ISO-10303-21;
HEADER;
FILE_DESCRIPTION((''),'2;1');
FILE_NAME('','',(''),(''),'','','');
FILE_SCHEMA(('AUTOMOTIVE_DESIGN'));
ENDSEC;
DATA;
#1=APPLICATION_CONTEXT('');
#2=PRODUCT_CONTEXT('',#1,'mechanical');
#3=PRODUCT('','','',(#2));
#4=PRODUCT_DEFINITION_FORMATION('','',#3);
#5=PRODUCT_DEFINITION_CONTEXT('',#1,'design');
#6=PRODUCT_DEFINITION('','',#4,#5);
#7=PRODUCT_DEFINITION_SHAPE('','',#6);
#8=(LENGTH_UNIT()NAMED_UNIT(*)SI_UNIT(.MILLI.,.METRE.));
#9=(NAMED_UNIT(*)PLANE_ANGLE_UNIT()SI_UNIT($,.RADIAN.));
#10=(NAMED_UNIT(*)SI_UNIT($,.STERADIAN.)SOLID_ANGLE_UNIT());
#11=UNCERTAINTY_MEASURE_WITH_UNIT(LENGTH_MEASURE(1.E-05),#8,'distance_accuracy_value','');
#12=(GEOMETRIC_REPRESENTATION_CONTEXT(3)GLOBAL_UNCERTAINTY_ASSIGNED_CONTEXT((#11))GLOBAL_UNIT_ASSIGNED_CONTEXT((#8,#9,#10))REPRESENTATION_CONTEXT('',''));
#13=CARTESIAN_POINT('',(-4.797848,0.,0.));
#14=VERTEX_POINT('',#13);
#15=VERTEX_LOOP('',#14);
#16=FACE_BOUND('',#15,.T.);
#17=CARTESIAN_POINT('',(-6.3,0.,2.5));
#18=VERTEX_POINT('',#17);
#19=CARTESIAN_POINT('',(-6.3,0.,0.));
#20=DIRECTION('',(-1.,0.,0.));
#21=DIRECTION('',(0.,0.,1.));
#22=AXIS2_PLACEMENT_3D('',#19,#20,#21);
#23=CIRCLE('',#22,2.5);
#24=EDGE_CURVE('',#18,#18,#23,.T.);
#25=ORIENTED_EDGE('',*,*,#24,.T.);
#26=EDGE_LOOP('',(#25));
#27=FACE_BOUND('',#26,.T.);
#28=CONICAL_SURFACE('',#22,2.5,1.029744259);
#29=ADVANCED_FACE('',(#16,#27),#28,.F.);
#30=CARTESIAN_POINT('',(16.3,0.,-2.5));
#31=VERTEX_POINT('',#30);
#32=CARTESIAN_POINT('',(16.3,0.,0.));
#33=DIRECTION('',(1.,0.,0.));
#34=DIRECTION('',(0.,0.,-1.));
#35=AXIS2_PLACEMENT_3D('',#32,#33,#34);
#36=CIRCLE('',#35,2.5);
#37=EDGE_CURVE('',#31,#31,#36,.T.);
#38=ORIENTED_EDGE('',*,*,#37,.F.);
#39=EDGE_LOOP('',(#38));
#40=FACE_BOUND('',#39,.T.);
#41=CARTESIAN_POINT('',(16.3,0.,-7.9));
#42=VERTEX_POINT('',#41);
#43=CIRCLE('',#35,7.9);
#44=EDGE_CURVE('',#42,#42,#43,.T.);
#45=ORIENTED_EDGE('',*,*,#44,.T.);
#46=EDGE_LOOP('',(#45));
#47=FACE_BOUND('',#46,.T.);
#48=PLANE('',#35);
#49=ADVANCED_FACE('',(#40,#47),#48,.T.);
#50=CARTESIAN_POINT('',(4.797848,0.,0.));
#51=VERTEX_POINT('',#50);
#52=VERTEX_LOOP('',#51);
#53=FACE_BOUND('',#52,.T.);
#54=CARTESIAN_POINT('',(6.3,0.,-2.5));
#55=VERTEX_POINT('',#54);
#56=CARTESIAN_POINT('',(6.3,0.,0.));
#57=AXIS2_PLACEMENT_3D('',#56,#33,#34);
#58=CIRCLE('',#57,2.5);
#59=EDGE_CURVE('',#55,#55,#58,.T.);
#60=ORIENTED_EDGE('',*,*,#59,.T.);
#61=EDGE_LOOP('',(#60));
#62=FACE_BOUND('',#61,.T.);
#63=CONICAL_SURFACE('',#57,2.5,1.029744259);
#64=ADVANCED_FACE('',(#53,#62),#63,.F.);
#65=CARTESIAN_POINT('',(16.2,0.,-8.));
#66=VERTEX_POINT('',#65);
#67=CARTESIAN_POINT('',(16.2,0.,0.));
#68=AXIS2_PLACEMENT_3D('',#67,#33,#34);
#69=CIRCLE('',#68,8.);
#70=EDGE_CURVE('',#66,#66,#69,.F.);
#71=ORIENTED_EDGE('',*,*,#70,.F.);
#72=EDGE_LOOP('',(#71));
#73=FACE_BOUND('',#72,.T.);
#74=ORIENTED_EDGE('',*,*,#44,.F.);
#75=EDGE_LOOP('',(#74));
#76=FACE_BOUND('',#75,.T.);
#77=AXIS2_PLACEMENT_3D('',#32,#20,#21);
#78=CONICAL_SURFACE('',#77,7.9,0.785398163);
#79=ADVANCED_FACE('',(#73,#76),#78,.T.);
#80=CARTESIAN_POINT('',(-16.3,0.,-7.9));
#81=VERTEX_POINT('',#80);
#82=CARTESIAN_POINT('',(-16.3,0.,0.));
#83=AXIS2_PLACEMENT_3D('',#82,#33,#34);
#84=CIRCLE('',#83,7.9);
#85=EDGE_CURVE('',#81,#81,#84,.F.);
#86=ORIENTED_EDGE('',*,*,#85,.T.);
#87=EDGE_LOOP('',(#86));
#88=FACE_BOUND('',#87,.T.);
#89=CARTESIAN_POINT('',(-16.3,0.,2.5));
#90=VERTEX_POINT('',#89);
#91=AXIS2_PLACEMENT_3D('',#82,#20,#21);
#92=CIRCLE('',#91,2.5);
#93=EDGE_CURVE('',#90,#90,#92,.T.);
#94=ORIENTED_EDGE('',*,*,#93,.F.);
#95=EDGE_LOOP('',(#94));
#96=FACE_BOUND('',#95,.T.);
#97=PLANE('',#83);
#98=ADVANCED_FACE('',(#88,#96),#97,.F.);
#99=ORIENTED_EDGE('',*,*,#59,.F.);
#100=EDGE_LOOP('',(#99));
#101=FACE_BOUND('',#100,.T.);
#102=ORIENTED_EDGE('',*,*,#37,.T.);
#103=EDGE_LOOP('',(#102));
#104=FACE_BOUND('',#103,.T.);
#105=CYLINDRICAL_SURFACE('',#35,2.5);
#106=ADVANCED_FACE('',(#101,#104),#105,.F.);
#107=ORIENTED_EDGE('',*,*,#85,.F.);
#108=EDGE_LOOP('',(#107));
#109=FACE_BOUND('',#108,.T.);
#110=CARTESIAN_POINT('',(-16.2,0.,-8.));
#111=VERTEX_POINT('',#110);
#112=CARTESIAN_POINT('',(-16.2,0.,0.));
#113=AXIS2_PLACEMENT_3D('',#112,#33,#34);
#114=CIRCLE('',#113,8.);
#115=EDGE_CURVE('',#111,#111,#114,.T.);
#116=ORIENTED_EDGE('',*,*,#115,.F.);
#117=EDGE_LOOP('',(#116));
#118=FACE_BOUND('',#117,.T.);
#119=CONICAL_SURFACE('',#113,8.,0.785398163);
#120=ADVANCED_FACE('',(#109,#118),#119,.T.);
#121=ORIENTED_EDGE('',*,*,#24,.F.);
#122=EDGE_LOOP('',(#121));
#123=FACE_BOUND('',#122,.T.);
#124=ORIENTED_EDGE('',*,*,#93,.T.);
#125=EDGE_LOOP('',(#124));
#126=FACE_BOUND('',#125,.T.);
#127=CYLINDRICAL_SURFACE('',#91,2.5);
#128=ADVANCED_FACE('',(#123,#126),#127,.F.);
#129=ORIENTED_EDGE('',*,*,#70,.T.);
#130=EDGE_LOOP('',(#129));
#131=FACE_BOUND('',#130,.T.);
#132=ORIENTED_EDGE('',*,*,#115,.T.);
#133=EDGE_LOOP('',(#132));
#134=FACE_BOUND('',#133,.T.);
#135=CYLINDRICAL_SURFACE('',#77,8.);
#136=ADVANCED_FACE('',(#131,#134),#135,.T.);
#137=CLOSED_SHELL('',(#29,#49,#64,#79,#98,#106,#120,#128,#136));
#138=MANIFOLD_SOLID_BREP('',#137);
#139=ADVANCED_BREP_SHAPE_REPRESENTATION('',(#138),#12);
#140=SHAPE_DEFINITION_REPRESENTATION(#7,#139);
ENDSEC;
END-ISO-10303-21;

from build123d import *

# Parameters (mm, degrees)
SKETCH1_R           = 8
SKETCH1_R_2         = 3
BOSS_EXTRUDE1_DEPTH = 16.3
CHAMFER1_SIZE       = 0.1


with BuildPart() as part:
    # Sketch1 → Boss-Extrude1 (new, symmetric)
    with BuildSketch(Plane(origin=(0, 0, 0), x_dir=(0, 0, -1), z_dir=(1, 0, 0))):
        Circle(SKETCH1_R)
        Circle(SKETCH1_R_2, mode=Mode.SUBTRACT)
        Circle(SKETCH1_R_2)
    extrude(amount=BOSS_EXTRUDE1_DEPTH, both=True)

    # Sketch3 → M6 Tapped Hole1 (revolve, cut)
    with BuildSketch(Plane(origin=(-16.3, 0, 0), x_dir=(0, 0, 1), z_dir=(0, 1, 0))):
        Polygon((0, 0), (0, 11.502151548), (2.5, 10), (2.5, 0), align=None)
    m6_tapped_hole1 = revolve(axis=Axis((-22.65, 0, 0), (1, 0, 0)), mode=Mode.SUBTRACT)

    # Mirror1: M6 Tapped Hole1 across plane
    add(m6_tapped_hole1.mirror(Plane(origin=(0, 0, 0), x_dir=(0, 0, 1), z_dir=(1, 0, 0))), mode=Mode.SUBTRACT)

    # Chamfer1
    chamfer1_edges = [part.edges().sort_by_distance(p)[0] for p in [
        (-16.3, 0, 8),
        (16.3, 0, 8),
    ]]
    chamfer(chamfer1_edges, length=CHAMFER1_SIZE)


solid = part.part
